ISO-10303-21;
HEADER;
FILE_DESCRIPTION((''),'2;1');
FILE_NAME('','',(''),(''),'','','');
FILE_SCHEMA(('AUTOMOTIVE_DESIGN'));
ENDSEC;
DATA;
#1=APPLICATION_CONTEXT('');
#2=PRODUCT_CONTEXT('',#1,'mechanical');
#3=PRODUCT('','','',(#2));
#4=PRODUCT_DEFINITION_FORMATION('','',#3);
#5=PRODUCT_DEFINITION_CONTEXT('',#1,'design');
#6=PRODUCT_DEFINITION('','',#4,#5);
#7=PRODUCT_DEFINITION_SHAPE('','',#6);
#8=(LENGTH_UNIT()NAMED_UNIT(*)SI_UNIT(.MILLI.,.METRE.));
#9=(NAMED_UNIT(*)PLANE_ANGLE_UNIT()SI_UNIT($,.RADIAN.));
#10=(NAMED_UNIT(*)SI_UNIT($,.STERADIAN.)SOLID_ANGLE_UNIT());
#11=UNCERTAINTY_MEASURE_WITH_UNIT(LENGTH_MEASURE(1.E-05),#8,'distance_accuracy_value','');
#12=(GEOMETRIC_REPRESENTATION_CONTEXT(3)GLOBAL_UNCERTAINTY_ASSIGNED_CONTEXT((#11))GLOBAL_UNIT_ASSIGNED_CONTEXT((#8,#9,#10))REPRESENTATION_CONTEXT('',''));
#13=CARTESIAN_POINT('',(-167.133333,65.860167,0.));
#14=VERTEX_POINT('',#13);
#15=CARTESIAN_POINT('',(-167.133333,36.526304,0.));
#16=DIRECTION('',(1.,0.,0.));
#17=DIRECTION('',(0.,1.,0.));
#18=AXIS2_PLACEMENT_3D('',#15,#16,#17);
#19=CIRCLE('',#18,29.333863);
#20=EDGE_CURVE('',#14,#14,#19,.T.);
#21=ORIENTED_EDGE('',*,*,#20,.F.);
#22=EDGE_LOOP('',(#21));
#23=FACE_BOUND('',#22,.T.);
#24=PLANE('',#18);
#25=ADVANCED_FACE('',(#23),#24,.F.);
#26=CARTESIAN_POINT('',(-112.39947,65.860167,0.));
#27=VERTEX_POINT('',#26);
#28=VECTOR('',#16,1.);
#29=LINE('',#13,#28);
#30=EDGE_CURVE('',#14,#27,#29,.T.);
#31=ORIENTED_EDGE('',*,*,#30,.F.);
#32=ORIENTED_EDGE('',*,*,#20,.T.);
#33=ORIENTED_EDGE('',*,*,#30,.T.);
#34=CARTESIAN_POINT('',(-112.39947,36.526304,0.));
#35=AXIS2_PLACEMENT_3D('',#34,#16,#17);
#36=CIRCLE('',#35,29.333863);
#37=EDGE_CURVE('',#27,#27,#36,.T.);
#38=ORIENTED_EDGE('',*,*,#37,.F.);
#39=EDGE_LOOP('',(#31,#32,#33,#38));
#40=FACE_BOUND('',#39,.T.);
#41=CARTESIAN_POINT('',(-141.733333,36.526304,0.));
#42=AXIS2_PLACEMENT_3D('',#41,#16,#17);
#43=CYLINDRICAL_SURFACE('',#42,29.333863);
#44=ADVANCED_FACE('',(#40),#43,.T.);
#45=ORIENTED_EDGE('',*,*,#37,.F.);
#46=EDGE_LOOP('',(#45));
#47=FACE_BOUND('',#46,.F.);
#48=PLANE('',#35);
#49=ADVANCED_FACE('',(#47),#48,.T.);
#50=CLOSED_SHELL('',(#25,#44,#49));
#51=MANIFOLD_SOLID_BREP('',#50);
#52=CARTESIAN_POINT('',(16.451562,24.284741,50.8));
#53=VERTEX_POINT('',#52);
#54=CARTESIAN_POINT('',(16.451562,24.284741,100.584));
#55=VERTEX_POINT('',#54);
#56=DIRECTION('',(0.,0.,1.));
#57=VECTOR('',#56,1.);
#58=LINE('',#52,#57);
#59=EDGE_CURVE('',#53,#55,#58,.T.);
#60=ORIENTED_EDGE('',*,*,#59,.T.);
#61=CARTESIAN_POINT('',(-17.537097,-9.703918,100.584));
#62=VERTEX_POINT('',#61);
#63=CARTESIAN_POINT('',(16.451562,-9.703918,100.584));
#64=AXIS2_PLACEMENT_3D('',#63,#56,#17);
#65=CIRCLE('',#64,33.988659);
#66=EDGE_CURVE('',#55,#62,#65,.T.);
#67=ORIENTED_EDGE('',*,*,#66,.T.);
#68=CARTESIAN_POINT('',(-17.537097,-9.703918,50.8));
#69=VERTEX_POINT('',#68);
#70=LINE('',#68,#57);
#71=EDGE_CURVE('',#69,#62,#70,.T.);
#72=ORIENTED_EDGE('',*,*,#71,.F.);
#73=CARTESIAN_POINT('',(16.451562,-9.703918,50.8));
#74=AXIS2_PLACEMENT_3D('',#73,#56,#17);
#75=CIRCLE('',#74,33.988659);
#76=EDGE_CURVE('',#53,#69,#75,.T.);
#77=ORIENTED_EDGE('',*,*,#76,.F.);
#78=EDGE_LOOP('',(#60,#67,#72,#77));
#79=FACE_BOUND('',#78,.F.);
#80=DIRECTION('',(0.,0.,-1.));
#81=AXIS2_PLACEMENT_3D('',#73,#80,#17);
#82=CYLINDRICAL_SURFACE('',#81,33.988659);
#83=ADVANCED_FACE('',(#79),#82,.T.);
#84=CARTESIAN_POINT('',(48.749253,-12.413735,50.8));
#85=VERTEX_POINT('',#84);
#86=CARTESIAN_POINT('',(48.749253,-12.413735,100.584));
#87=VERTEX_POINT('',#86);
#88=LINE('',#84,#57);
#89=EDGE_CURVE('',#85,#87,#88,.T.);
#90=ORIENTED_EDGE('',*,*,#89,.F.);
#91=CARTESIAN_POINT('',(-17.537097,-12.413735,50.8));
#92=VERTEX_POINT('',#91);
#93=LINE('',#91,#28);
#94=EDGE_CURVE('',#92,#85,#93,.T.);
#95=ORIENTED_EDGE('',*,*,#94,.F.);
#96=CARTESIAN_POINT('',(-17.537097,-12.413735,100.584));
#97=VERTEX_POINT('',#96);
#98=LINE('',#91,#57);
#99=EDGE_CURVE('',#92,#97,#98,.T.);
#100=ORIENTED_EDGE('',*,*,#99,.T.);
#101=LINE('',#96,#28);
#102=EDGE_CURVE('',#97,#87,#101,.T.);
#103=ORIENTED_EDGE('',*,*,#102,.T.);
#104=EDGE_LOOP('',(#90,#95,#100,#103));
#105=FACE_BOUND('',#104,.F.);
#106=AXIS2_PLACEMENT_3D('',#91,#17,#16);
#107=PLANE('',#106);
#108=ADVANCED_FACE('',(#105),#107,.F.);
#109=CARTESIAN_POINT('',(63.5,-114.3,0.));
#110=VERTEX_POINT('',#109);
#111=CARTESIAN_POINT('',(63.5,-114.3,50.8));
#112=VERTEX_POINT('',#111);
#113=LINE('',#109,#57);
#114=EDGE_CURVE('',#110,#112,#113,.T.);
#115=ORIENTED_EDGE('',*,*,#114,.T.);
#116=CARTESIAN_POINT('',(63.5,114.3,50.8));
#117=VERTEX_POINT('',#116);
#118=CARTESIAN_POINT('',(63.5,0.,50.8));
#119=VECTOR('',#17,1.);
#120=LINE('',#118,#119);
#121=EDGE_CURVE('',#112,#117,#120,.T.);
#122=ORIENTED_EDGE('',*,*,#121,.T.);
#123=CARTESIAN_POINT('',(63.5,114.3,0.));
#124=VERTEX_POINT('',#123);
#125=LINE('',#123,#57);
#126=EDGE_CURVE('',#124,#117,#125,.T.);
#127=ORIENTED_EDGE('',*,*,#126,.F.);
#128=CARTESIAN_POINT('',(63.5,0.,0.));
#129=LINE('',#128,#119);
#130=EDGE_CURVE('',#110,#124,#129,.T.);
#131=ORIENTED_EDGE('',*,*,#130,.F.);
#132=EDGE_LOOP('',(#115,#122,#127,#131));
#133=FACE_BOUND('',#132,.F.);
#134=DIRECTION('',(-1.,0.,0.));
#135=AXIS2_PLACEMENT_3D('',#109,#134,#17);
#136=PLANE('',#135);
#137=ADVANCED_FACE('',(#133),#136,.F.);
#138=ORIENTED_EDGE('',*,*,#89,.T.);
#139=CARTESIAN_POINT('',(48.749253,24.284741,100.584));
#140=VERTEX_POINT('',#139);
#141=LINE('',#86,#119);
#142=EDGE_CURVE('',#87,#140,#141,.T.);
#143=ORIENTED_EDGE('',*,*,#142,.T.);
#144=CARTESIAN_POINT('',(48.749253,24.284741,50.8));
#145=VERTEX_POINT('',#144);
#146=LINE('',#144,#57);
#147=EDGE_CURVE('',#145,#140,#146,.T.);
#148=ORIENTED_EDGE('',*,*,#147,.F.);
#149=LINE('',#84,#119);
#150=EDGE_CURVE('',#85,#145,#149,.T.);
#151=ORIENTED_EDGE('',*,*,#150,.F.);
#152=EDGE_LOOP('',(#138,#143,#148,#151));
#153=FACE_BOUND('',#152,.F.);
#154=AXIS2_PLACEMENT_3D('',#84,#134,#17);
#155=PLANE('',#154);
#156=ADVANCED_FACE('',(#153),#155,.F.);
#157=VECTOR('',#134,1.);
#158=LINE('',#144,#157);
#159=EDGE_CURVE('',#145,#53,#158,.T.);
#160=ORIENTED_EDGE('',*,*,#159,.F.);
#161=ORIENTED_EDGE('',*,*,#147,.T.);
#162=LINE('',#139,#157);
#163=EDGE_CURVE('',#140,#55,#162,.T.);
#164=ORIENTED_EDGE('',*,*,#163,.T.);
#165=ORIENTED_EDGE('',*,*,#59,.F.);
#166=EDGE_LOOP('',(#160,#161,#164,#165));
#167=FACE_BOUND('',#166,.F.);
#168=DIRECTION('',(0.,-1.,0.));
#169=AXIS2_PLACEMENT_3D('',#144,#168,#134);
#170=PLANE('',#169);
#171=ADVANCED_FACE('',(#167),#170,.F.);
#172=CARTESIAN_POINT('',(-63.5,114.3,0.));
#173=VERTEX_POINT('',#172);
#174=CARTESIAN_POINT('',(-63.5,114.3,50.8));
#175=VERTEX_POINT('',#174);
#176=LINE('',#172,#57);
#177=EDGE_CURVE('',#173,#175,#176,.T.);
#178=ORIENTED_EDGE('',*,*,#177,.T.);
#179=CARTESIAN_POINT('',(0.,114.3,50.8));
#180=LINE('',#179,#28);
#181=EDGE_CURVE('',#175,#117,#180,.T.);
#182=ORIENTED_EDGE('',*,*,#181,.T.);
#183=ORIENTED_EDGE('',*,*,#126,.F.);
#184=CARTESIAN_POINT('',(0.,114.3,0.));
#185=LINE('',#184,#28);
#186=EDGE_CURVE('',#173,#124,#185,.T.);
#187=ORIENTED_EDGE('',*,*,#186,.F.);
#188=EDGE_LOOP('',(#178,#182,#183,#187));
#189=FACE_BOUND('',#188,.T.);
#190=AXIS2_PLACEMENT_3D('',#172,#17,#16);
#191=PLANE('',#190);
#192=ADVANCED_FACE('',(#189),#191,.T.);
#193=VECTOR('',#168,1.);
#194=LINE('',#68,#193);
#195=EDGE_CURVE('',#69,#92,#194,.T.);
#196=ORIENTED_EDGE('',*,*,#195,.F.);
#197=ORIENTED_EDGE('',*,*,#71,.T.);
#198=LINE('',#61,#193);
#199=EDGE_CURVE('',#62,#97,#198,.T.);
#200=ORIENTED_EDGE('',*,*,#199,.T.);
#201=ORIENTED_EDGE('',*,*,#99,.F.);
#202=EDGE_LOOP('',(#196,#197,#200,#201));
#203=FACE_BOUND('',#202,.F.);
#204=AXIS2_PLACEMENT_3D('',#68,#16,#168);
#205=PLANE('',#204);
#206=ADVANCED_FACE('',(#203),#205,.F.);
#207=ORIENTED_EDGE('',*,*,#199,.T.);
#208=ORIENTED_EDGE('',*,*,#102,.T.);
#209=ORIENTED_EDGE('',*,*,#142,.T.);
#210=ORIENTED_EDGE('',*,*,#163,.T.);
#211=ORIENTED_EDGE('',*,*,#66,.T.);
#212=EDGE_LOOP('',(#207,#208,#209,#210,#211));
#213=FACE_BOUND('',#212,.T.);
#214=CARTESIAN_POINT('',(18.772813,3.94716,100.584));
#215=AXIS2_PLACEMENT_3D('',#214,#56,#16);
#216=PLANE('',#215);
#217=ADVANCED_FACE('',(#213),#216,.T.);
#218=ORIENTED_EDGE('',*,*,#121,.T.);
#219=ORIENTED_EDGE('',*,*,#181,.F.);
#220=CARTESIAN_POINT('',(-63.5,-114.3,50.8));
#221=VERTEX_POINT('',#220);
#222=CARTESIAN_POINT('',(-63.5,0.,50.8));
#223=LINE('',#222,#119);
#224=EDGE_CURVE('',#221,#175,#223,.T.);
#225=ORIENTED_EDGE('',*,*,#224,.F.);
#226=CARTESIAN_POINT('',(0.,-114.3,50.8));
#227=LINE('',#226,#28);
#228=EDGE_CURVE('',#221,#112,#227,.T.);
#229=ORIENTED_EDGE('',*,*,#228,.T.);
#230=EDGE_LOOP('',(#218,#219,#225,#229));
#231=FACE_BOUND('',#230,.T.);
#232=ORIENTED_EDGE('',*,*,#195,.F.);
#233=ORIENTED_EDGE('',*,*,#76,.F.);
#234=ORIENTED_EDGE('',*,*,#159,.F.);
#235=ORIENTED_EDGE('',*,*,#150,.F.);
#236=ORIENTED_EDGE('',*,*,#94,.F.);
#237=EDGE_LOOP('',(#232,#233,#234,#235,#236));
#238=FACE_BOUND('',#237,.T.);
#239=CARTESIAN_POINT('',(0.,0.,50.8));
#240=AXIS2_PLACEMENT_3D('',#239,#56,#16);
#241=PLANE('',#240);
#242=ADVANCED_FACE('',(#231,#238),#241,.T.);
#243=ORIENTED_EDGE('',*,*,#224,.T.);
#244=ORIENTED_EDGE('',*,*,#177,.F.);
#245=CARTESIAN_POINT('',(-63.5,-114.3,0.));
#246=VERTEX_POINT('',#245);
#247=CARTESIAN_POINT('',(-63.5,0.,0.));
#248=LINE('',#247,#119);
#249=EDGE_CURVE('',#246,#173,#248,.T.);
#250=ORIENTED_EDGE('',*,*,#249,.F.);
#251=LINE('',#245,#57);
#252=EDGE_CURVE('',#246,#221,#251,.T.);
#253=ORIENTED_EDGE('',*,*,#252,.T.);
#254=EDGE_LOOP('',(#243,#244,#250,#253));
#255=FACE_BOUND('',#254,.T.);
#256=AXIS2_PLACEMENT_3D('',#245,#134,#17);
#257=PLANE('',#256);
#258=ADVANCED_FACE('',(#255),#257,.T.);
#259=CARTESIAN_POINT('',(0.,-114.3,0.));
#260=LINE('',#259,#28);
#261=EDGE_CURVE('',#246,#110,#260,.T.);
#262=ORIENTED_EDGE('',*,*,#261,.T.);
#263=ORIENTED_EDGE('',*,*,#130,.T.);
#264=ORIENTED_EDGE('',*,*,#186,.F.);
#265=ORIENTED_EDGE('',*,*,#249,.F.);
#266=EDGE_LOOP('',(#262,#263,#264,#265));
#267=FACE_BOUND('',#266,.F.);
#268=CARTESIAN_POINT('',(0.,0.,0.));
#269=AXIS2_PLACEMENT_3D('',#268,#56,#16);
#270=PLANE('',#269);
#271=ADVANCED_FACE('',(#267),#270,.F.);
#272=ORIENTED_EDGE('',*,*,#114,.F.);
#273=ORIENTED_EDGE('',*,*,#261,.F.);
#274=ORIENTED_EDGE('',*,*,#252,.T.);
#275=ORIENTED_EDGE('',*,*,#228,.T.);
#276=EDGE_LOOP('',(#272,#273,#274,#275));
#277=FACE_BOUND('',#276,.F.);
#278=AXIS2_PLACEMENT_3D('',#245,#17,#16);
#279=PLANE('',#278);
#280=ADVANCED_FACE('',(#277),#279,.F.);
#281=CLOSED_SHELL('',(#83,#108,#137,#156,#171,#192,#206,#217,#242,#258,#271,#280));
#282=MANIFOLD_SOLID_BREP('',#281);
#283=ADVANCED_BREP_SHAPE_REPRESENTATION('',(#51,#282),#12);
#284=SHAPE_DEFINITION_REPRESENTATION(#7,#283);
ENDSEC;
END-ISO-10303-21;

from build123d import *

# Parameters (mm, degrees)
F0_W     = 127
F0_H     = 228.6
F1_DEPTH = 50.8
F2_W     = 29.3338634074
F2_H     = 29.3338634074
F4_DEPTH = 25.4
F6_DEPTH = 49.784


with BuildPart() as f1:
    # F0 (on Top) → F1 (new body)
    with BuildSketch(Plane.XY):
        Rectangle(F0_W, F0_H)
    extrude(amount=F1_DEPTH)

    # F5 (on face) → F6 (join)
    with BuildSketch(Plane.XY.offset(50.8)):
        with BuildLine():
            Line((48.7492531538, 24.2847409099), (16.4515623851, 24.2847409099))
            ThreePointArc((16.4515623851, 24.2847409099), (-7.5820488068, 14.3296932014), (-17.5370965153, -9.7039179905))
            Line((-17.5370965153, -9.7039179905), (-17.5370965153, -12.4137345701))
            Line((-17.5370965153, -12.4137345701), (48.7492531538, -12.4137345701))
            Line((48.7492531538, -12.4137345701), (48.7492531538, 24.2847409099))
        make_face()
    extrude(amount=F6_DEPTH)


with BuildPart() as f3:
    # F2 (on Top) → F3 (revolve)
    with BuildSketch(Plane.XY):
        with Locations((-127.0664017648, 51.193235442)):
            Rectangle(F2_W, F2_H)
    revolve(axis=Axis((-115.2426078916, 36.5263037384, 0), (1, 0, 0)))

    # F4 (add): a face of the model
    f4_faces = [f3.faces().sort_by_distance(p)[0] for p in [
        (-141.7333334684, 36.5263037384, 0),
    ]]
    extrude(f4_faces, amount=F4_DEPTH)


solid = Compound([f1.part, f3.part])
